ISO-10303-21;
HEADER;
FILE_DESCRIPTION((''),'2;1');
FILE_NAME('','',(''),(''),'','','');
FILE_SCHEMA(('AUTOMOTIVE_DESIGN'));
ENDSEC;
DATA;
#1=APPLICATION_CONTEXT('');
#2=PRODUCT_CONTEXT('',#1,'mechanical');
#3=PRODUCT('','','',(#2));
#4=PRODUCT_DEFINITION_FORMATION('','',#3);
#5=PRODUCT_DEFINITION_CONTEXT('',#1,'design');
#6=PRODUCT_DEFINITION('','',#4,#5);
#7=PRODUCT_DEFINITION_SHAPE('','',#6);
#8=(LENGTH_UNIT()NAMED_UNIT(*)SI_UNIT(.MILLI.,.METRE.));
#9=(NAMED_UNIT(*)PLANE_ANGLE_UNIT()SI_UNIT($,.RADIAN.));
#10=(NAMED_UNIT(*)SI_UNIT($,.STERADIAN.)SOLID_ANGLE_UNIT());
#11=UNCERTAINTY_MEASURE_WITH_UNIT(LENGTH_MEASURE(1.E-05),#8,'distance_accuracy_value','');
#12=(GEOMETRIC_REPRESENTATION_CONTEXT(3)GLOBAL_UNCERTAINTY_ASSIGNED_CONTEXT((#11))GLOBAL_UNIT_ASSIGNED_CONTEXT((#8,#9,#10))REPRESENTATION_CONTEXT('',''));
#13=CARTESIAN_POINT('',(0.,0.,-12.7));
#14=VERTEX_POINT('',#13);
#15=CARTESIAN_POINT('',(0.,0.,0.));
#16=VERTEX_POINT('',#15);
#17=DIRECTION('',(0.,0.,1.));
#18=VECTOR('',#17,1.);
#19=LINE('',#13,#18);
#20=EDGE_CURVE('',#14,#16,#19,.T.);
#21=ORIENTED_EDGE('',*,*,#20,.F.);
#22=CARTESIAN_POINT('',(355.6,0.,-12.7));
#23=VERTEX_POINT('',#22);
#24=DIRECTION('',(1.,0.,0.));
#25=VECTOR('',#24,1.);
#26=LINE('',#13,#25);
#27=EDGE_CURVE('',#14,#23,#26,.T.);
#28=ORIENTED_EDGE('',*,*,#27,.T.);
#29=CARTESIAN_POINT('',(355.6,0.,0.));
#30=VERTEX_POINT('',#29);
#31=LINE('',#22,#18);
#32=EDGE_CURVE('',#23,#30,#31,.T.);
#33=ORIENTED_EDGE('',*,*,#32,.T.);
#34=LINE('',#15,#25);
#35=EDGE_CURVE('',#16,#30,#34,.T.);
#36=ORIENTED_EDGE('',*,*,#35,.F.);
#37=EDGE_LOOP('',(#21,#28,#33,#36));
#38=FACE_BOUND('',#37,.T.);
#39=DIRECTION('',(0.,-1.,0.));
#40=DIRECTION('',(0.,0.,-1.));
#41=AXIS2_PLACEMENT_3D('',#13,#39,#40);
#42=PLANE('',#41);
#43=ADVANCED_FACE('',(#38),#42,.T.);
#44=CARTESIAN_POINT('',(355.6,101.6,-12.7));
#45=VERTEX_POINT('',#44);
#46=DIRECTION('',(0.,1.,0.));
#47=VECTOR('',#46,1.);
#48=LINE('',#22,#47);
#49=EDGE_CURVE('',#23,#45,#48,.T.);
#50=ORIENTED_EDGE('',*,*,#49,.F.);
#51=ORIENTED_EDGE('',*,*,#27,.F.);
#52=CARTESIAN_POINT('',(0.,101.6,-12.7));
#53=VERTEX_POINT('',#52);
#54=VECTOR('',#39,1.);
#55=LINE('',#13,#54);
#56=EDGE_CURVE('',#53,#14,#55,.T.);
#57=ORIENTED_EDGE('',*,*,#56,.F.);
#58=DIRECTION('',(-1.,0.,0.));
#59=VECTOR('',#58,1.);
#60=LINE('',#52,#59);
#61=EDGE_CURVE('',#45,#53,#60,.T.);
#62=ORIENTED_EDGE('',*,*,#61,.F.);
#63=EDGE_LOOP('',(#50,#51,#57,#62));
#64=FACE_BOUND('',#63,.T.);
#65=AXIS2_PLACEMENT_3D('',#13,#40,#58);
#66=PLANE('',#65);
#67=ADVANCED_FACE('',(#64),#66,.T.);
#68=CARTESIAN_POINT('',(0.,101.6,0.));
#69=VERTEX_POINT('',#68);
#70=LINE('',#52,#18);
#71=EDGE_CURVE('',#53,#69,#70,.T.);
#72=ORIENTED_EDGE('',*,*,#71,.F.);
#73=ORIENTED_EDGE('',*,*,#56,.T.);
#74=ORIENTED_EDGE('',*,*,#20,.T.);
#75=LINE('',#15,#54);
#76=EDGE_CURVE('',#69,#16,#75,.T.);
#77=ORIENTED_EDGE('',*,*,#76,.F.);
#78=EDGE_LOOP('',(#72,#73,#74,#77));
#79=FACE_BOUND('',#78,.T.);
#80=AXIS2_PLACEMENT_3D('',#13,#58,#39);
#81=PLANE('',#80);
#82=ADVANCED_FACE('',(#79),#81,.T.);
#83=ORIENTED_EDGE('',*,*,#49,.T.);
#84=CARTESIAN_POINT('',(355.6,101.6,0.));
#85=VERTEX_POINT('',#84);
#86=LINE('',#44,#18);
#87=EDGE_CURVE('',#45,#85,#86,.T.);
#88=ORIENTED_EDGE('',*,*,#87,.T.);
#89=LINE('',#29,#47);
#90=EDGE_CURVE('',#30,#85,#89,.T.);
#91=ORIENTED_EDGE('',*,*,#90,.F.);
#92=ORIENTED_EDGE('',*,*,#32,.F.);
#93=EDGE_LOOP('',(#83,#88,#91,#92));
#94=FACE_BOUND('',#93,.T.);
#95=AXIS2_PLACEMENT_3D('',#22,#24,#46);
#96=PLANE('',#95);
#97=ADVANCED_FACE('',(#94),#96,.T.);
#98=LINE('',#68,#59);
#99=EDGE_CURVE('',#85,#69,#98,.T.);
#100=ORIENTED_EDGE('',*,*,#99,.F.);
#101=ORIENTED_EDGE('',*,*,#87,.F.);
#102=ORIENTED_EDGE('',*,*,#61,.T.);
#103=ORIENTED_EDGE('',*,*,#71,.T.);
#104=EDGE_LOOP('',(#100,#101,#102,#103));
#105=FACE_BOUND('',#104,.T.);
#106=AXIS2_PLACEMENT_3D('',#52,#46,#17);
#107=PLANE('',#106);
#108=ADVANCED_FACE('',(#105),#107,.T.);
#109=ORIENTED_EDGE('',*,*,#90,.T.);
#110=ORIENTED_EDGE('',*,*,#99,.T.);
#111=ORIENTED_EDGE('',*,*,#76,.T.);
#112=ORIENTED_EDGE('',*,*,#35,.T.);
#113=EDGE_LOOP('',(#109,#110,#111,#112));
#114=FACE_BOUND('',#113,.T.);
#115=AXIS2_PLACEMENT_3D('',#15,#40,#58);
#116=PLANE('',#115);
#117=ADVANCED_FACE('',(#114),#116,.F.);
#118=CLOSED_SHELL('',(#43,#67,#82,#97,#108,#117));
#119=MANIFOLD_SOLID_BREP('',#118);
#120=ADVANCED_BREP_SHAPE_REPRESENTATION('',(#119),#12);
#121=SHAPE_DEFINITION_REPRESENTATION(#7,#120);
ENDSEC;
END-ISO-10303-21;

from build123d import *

# Parameters (mm, degrees)
ESQUISSE1_W        = 355.6
ESQUISSE1_H        = 101.6
BOSS_EXTRU_1_DEPTH = 12.7


with BuildPart() as part:
    # Esquisse1 → Boss.-Extru.1 (new body)
    with BuildSketch(Plane.XY):
        with Locations((177.8, 50.8)):
            Rectangle(ESQUISSE1_W, ESQUISSE1_H)
    extrude(amount=-BOSS_EXTRU_1_DEPTH)


solid = part.part
